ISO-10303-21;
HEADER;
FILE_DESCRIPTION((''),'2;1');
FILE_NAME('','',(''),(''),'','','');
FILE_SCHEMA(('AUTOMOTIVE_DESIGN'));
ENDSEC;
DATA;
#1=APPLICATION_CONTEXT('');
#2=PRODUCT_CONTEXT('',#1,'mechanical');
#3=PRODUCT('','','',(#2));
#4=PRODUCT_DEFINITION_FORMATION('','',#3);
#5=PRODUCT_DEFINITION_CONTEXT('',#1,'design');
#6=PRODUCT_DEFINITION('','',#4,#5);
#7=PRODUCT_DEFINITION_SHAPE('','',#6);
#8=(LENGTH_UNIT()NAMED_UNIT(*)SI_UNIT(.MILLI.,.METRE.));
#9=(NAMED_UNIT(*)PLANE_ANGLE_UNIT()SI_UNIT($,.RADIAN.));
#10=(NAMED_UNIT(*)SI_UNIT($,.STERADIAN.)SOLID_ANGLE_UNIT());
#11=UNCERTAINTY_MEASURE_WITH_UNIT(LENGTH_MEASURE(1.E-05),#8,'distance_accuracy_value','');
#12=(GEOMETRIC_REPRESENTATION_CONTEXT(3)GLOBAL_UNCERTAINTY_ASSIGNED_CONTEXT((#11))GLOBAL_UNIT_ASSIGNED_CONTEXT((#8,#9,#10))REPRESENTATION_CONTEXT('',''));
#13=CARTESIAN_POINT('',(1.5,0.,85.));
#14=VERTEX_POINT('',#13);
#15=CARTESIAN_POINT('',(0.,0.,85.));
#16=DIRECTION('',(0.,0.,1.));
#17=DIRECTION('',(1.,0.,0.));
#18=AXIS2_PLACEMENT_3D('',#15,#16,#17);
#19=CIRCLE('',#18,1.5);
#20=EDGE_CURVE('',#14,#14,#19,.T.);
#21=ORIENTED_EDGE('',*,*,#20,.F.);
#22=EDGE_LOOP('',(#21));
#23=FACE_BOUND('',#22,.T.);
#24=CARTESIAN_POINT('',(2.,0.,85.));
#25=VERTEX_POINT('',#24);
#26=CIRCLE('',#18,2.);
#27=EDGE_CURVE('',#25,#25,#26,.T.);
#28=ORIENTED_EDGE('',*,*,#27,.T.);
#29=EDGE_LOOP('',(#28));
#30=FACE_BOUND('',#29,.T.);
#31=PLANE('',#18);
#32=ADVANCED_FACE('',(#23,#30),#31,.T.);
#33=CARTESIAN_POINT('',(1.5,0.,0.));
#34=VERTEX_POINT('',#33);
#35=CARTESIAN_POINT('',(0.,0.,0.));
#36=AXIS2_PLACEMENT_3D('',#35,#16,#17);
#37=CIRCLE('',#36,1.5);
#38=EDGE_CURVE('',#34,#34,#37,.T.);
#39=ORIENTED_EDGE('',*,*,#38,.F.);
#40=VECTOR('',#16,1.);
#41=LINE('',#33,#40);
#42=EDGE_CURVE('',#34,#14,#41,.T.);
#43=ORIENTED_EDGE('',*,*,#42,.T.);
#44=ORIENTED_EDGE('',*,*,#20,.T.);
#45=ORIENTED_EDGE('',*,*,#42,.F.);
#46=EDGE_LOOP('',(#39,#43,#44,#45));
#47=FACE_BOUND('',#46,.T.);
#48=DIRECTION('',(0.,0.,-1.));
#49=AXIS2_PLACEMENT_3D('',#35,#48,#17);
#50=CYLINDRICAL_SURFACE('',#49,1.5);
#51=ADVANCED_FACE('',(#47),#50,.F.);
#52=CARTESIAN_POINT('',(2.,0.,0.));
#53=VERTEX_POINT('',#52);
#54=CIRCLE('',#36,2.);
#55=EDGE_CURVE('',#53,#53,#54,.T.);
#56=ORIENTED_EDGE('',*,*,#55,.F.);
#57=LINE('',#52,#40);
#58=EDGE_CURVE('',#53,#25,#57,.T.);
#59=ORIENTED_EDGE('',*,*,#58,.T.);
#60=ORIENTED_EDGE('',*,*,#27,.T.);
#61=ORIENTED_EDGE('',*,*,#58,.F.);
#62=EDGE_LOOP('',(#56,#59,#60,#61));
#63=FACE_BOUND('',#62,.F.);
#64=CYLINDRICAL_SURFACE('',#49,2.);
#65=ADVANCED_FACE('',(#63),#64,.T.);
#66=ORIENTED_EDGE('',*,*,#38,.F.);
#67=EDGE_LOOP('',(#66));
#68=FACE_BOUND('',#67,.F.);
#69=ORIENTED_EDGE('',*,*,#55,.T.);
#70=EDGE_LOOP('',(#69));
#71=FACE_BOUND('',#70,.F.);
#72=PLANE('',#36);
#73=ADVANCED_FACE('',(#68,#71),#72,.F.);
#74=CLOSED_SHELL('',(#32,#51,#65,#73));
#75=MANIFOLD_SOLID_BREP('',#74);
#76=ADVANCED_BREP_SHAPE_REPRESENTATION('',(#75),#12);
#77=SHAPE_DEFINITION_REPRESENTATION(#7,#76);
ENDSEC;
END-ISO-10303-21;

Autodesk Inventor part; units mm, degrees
ref_plane "YZ Plane" through (0, 0, 0) normal (1, 0, 0) x (0, 1, 0)
ref_plane "XZ Plane" through (0, 0, 0) normal (0, 1, 0) x (-1, 0, 0)
ref_plane "XY Plane" through (0, 0, 0) normal (0, 0, 1) x (1, 0, 0)
sketch "Sketch1" plane through (0, 0, 0) normal (0, 0, 1) x (1, 0, 0)
  circle A0 centre (0, 0) radius 2
  circle A1 centre (0, 0) radius 1.5
  dimension "d0" = 4
  dimension "d1" = 3
extrude "Extrusion1" add sketch "Sketch1" along normal blind 85
properties part number "Landing_Gear_Rod" material "CFRP"
